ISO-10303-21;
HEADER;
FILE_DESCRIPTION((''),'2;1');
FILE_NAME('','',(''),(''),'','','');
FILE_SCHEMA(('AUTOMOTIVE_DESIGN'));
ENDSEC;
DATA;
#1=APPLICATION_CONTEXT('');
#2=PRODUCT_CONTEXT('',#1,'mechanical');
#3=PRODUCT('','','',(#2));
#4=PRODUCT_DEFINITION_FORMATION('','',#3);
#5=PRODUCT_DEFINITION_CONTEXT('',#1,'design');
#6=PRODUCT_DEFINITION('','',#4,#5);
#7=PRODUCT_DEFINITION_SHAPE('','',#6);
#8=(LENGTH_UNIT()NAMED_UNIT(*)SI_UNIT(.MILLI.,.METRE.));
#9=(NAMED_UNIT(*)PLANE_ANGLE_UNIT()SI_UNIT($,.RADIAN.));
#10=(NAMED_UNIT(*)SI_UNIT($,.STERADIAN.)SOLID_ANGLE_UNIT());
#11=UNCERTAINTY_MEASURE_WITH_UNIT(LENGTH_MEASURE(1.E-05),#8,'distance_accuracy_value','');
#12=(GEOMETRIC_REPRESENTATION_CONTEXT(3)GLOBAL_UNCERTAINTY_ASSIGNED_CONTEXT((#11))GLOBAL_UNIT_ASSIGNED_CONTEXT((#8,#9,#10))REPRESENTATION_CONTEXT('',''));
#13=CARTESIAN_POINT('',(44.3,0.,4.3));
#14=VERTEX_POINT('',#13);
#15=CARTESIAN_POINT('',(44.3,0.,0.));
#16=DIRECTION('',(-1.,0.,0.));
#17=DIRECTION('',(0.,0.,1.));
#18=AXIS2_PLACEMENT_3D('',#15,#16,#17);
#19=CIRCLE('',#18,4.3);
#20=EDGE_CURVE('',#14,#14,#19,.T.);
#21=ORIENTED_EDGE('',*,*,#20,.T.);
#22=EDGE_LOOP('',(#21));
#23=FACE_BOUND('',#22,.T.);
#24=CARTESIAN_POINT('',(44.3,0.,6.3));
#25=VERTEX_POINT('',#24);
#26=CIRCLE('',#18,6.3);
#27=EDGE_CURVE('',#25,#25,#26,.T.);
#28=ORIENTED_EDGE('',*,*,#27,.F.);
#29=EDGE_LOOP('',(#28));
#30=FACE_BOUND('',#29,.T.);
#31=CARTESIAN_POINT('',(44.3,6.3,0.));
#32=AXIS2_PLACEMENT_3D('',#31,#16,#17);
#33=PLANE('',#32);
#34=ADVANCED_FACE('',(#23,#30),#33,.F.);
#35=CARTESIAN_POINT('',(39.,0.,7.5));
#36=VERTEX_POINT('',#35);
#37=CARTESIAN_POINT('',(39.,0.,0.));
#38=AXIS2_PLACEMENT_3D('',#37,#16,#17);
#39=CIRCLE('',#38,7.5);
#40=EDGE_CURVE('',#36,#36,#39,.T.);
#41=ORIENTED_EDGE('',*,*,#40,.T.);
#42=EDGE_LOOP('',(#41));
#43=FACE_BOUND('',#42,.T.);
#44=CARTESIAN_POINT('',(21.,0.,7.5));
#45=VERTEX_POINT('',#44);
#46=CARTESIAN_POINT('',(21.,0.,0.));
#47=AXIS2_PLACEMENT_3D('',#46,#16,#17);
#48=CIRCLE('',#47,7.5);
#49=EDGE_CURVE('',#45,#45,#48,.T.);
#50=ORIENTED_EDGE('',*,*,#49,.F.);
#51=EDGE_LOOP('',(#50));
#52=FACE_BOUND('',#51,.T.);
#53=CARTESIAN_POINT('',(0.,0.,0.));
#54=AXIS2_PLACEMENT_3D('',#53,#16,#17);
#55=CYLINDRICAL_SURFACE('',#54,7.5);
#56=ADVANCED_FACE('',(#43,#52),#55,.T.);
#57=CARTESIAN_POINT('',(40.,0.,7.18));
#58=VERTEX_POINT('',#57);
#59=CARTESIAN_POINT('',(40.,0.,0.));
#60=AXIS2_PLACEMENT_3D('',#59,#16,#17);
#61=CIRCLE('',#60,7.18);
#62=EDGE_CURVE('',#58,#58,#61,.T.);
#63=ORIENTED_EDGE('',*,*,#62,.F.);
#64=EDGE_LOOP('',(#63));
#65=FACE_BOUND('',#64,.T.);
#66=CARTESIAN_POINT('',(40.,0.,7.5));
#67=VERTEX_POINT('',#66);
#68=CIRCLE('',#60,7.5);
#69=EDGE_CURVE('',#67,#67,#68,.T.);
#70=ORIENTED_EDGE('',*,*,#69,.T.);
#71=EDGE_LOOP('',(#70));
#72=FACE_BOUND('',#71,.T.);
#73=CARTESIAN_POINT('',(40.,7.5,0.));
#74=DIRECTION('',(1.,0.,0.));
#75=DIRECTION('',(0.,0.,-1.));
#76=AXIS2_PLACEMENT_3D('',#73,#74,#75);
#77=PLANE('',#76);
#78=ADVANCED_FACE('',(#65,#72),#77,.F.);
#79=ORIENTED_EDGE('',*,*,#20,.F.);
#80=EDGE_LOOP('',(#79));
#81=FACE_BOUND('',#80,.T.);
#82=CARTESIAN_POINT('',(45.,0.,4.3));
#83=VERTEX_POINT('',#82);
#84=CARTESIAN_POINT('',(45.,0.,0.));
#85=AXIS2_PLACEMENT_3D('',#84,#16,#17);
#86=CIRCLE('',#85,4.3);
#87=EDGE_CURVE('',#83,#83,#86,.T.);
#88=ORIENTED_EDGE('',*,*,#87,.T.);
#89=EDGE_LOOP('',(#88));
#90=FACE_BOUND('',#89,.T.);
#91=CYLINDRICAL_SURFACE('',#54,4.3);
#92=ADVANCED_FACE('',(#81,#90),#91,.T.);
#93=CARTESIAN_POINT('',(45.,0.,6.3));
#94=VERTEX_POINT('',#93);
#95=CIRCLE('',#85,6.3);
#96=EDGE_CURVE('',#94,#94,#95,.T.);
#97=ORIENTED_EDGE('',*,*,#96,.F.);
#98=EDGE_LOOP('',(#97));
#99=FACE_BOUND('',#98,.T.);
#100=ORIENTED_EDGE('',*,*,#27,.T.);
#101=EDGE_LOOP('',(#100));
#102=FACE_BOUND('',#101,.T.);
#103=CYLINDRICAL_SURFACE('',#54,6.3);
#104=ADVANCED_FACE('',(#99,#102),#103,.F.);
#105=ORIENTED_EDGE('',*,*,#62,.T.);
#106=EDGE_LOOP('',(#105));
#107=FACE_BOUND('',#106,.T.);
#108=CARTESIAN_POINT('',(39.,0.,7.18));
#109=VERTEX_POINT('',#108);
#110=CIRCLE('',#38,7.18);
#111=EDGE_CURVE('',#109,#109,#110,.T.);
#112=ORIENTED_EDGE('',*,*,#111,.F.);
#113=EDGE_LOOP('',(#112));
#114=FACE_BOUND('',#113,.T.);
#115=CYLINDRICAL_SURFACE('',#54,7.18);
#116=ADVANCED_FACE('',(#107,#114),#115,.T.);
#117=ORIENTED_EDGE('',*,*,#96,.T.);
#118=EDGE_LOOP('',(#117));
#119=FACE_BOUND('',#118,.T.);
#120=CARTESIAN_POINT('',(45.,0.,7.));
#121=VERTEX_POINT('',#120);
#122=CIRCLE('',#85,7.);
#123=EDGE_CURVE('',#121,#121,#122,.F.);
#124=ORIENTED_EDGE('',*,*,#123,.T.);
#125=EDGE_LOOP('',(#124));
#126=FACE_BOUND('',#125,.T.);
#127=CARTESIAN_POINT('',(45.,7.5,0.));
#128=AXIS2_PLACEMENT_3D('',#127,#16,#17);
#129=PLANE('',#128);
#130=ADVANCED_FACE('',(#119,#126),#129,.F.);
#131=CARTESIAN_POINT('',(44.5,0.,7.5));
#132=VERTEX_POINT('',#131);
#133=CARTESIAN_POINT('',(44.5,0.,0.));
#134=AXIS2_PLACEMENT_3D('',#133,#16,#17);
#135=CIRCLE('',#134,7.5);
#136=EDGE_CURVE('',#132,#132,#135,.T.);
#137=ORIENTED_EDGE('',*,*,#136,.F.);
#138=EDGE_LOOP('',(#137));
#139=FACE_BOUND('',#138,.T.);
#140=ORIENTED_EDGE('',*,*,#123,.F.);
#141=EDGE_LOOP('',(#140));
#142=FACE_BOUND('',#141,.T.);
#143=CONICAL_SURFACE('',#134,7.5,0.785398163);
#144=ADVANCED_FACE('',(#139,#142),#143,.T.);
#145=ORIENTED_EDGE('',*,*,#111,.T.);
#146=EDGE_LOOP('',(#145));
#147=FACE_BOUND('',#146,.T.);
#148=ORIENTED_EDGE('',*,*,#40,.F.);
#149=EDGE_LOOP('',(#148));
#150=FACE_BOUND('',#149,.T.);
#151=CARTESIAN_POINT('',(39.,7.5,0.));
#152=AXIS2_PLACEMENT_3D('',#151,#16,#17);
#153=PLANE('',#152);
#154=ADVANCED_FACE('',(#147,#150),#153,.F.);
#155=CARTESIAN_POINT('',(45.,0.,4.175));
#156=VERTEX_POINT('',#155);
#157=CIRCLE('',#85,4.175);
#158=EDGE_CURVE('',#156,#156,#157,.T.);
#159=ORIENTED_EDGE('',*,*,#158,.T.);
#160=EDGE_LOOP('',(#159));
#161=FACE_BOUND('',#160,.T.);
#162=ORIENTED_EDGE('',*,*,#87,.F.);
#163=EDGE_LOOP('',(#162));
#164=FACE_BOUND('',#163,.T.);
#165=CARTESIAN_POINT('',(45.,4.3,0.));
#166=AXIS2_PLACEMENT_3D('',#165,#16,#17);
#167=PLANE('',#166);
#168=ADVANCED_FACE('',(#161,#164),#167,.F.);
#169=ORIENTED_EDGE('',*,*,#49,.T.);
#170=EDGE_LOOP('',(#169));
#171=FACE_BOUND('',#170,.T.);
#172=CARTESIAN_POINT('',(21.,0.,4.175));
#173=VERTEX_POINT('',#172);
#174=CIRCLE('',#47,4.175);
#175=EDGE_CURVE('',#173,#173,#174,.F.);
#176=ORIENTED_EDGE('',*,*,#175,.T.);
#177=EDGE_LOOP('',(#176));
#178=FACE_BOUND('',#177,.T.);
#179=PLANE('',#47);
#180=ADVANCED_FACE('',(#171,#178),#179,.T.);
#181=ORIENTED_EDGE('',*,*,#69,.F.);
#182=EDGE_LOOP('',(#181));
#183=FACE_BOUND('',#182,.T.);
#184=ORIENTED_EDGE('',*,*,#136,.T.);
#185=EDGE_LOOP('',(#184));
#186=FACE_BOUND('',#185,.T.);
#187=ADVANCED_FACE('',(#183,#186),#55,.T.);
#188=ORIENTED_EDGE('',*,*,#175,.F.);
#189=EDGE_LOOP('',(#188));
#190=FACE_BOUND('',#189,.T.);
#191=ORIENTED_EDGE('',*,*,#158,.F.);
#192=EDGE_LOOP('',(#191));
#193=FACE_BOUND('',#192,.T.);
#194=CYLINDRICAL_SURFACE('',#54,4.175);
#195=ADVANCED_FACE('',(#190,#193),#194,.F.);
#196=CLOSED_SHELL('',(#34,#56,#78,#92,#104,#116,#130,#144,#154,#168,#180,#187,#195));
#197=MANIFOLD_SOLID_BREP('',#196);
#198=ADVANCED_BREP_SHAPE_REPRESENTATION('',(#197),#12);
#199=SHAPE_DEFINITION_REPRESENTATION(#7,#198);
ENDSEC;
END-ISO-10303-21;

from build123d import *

# Parameters (mm, degrees)
ZKOSEN_1_SIZE       = 0.5
SKETCH_1_R          = 8.79999935
CUT_EXTRUDE_1_DEPTH = 21


with BuildPart() as part:
    # Skica1 → Rotovat1 (revolve)
    with BuildSketch(Plane.XY, mode=Mode.PRIVATE) as rotovat1_sk:
        Polygon((0, 4.3), (0, 4.175), (45, 4.175), (45, 4.3), (44.3, 4.3), (44.3, 6.3), (45, 6.3), (45, 7.5), (40, 7.5), (40, 7.18), (39, 7.18), (39, 7.5), (6, 7.5), (6, 7.18), (5, 7.18), (5, 7.5), (0, 7.5), (0, 6.3), (0.7, 6.3), (0.7, 4.3), align=None)
    revolve(rotovat1_sk.sketch.rotate(Axis((0, 0, 0), (1, 0, 0)), 90), axis=Axis((0, 0, 0), (1, 0, 0)))

    # Zkosení1
    zkosen_1_edges = [part.edges().sort_by_distance(p)[0] for p in [
        (0, 0, -7.5),
        (45, 0, -7.5),
    ]]
    chamfer(zkosen_1_edges, length=ZKOSEN_1_SIZE)

    # 草图1 → 切除-拉伸1 (cut)
    with BuildSketch(Plane.ZY):
        Circle(SKETCH_1_R)
    extrude(amount=-CUT_EXTRUDE_1_DEPTH, mode=Mode.SUBTRACT)


solid = part.part
